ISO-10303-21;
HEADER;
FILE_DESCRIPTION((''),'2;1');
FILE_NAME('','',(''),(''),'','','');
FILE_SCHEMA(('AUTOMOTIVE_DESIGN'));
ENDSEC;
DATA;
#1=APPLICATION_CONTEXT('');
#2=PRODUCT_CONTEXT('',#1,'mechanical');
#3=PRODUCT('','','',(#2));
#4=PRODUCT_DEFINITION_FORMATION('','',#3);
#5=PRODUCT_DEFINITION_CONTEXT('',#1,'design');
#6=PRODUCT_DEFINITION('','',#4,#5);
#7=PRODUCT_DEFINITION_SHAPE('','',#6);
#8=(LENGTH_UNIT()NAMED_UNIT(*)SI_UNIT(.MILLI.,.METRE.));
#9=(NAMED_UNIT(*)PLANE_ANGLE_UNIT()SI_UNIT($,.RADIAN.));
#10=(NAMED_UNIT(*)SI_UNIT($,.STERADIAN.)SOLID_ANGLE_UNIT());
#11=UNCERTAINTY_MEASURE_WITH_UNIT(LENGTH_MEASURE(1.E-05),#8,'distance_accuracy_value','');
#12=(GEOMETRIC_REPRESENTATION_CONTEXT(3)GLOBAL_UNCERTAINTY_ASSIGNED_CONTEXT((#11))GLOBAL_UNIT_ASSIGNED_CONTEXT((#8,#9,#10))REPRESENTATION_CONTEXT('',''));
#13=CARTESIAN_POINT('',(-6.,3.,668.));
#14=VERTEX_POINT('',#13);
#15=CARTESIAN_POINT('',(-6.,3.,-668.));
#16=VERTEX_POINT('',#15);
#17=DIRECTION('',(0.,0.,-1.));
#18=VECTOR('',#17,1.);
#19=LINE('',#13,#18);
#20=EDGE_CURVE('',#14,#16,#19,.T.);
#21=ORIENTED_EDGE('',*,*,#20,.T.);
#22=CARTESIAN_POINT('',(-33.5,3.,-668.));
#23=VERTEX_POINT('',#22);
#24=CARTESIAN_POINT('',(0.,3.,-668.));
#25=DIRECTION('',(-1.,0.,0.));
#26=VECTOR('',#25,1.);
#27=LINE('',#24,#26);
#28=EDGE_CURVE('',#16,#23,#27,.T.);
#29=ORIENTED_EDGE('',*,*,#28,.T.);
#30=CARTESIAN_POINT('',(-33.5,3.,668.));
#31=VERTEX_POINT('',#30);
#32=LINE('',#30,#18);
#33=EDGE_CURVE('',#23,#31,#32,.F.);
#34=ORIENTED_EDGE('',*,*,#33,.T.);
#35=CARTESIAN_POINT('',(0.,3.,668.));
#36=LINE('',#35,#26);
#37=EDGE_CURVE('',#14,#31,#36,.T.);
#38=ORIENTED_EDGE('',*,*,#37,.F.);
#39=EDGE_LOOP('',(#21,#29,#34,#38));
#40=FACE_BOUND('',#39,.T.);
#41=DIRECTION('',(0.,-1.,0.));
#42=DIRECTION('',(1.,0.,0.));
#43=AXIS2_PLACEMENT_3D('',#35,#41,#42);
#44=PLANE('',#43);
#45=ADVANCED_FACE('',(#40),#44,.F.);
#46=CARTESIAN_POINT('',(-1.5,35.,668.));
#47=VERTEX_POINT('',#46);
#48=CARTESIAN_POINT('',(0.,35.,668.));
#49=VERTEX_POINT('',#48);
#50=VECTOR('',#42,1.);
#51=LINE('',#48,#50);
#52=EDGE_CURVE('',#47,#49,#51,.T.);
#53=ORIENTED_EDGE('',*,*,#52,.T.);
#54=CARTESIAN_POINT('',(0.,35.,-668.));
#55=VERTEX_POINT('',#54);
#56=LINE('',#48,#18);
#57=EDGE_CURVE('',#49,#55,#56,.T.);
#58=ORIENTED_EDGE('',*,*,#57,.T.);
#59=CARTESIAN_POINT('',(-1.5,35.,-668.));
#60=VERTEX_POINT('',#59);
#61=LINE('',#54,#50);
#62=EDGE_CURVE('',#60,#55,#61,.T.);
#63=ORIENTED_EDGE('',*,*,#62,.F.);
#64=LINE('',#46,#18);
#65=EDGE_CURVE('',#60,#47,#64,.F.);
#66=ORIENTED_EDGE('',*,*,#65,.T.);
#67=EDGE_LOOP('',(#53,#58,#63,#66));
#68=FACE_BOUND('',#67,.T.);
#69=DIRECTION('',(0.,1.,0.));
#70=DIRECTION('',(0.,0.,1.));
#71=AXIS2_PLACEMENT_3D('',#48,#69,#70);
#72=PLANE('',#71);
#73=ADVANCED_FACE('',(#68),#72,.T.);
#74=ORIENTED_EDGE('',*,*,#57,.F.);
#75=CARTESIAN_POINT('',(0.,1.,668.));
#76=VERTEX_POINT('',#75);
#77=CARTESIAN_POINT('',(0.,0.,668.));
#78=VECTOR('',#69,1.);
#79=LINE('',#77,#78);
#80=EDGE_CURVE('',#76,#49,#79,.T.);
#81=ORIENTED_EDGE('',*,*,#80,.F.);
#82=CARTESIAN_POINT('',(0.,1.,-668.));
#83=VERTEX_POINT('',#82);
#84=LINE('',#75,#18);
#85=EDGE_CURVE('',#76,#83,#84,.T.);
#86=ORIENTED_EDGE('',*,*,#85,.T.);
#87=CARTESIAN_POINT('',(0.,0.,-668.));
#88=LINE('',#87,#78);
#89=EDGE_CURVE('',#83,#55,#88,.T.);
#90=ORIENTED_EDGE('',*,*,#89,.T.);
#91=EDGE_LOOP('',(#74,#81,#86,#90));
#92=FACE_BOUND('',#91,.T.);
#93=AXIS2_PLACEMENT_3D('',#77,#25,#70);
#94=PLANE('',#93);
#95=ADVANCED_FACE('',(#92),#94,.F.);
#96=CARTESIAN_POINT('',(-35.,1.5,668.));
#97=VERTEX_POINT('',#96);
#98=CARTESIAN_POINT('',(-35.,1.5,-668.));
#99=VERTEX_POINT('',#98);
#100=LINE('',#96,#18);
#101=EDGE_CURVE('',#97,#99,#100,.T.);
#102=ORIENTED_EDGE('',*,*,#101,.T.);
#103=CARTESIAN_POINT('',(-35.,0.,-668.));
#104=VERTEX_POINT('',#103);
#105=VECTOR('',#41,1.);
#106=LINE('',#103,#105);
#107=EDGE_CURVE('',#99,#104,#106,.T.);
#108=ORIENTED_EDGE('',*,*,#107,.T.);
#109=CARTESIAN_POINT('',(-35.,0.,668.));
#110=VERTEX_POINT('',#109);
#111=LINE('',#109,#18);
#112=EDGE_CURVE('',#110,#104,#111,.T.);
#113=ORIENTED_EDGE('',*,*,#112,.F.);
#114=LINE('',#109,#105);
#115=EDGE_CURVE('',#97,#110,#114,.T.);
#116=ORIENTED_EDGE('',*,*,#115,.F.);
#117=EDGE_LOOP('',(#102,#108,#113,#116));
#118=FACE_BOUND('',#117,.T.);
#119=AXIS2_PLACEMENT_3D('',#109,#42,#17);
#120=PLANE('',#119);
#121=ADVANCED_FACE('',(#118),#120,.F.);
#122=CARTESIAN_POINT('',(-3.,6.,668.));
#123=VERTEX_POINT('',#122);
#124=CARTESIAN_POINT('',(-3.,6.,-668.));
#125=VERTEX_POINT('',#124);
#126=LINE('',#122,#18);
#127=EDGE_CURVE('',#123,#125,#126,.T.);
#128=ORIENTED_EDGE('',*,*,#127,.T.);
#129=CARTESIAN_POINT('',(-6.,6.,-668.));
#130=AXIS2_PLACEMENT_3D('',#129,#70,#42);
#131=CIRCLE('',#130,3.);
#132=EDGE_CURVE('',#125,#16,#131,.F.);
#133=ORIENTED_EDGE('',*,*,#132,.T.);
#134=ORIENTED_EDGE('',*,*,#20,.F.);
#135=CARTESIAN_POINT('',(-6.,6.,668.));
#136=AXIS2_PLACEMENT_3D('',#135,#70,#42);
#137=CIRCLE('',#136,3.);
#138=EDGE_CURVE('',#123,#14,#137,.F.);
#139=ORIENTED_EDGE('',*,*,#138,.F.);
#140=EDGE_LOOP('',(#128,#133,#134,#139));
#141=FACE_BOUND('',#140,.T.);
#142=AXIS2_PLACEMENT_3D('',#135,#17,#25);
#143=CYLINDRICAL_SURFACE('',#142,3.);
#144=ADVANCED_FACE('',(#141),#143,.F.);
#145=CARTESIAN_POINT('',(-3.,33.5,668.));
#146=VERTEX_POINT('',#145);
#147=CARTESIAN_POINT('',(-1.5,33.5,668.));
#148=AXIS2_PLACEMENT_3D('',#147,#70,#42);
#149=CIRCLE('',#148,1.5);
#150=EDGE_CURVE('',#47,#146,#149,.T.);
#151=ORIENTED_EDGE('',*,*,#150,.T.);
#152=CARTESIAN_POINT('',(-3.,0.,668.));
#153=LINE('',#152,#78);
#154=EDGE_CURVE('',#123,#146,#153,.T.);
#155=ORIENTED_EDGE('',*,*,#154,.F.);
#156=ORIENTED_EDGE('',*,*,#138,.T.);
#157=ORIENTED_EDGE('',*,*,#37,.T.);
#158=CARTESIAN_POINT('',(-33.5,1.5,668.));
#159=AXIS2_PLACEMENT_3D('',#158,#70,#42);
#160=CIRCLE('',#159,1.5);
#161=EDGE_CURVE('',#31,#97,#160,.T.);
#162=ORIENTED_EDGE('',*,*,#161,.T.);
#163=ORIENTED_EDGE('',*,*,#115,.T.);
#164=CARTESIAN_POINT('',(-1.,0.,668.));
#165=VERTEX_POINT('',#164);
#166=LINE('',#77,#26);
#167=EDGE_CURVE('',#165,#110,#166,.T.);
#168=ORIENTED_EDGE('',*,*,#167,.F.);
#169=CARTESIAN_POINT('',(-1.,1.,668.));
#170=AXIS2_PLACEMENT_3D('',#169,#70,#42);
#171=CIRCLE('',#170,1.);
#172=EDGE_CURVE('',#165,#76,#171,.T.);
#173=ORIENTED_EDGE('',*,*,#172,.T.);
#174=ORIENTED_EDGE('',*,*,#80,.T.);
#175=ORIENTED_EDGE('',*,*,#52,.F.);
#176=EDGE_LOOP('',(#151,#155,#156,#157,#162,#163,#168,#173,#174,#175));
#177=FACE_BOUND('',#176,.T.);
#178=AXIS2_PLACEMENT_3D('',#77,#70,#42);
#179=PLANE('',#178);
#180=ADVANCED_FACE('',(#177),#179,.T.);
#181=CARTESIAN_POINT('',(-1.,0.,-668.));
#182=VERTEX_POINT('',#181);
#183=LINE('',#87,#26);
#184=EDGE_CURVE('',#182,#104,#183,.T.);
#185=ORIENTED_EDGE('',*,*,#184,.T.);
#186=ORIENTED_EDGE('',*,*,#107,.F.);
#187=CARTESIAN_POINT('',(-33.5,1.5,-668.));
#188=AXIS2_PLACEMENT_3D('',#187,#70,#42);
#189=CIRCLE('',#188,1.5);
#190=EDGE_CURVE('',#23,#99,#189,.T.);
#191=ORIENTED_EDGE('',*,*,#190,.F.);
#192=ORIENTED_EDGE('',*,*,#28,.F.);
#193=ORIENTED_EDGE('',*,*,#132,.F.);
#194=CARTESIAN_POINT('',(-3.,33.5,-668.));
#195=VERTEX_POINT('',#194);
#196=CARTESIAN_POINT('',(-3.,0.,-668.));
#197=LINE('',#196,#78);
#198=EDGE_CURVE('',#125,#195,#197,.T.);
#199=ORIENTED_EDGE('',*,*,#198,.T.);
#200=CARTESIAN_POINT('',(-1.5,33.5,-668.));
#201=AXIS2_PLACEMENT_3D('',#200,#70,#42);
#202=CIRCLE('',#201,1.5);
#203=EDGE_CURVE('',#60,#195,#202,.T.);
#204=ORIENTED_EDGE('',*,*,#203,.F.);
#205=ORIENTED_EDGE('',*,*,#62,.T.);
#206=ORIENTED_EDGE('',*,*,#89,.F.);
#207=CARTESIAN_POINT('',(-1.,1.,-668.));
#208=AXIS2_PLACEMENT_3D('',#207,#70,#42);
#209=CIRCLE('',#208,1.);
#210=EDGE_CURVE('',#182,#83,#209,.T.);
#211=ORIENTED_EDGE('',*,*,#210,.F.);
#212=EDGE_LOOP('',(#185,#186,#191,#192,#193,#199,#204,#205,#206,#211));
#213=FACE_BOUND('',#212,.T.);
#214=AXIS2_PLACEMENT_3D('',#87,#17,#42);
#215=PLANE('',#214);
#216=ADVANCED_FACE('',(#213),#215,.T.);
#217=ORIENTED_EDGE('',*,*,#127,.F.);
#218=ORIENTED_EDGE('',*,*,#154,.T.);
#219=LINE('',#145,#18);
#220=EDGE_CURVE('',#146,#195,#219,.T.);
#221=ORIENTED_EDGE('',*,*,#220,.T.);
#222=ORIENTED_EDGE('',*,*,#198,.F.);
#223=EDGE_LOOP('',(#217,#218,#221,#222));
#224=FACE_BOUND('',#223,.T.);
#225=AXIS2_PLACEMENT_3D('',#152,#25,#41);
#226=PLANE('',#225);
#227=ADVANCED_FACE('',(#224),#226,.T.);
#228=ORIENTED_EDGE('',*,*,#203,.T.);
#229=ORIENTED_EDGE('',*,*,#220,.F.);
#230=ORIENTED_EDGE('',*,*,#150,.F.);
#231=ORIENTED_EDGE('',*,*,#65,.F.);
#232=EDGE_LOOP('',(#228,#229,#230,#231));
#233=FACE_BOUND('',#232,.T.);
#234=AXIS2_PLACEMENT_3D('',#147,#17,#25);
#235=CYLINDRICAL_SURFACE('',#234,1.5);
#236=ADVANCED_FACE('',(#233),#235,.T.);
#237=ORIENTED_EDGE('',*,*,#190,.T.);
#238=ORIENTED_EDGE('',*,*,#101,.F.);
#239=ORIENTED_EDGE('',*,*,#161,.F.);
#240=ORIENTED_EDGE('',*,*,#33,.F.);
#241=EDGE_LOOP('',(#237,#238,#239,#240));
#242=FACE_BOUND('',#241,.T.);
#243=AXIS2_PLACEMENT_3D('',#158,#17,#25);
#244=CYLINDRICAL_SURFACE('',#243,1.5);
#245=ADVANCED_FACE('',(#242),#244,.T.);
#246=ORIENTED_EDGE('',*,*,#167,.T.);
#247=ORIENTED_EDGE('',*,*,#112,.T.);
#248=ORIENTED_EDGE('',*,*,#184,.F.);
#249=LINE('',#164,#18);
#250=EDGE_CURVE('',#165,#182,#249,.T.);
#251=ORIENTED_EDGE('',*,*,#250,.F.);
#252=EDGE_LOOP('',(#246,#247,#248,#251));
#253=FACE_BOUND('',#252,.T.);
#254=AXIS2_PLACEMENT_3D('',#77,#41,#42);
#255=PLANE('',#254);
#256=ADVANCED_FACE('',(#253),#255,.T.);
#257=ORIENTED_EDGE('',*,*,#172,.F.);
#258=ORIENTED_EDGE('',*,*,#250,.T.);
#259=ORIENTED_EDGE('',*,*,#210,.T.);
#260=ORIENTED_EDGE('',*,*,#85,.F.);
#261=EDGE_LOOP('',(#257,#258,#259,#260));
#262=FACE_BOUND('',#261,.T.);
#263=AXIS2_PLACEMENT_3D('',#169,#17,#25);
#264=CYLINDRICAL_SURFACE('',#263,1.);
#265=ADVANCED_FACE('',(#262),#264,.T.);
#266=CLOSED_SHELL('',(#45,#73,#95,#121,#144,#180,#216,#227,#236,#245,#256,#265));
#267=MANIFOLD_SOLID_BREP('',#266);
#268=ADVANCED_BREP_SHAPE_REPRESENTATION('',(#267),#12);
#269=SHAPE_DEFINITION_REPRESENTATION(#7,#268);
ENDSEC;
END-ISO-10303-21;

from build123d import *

# Parameters (mm, degrees)
BOSS_EXTRUDE1_DEPTH = 668
FILLET1_R           = 1.5


with BuildPart() as part:
    # Sketch1 → Boss-Extrude1 (new body)
    with BuildSketch(Plane.XY):
        with BuildLine():
            Line((-1, 0), (-35, 0))
            Line((-35, 0), (-35, 3))
            Line((-35, 3), (-6, 3))
            ThreePointArc((-6, 3), (-3.878679656, 3.878679656), (-3, 6))
            Line((-3, 6), (-3, 35))
            Line((-3, 35), (0, 35))
            Line((0, 35), (0, 1))
            ThreePointArc((0, 1), (-0.292893219, 0.292893219), (-1, 0))
        make_face()
    extrude(amount=BOSS_EXTRUDE1_DEPTH)

    # Fillet1
    fillet1_edges = [part.edges().sort_by_distance(p)[0] for p in [
        (-35, 3, 334),
        (-3, 35, 334),
    ]]
    fillet(fillet1_edges, radius=FILLET1_R)

    # Mirror4: part across plane


with BuildPart() as part_1:
    add(part.part)
    add(part.part.mirror(Plane.XY))


solid = part_1.part
